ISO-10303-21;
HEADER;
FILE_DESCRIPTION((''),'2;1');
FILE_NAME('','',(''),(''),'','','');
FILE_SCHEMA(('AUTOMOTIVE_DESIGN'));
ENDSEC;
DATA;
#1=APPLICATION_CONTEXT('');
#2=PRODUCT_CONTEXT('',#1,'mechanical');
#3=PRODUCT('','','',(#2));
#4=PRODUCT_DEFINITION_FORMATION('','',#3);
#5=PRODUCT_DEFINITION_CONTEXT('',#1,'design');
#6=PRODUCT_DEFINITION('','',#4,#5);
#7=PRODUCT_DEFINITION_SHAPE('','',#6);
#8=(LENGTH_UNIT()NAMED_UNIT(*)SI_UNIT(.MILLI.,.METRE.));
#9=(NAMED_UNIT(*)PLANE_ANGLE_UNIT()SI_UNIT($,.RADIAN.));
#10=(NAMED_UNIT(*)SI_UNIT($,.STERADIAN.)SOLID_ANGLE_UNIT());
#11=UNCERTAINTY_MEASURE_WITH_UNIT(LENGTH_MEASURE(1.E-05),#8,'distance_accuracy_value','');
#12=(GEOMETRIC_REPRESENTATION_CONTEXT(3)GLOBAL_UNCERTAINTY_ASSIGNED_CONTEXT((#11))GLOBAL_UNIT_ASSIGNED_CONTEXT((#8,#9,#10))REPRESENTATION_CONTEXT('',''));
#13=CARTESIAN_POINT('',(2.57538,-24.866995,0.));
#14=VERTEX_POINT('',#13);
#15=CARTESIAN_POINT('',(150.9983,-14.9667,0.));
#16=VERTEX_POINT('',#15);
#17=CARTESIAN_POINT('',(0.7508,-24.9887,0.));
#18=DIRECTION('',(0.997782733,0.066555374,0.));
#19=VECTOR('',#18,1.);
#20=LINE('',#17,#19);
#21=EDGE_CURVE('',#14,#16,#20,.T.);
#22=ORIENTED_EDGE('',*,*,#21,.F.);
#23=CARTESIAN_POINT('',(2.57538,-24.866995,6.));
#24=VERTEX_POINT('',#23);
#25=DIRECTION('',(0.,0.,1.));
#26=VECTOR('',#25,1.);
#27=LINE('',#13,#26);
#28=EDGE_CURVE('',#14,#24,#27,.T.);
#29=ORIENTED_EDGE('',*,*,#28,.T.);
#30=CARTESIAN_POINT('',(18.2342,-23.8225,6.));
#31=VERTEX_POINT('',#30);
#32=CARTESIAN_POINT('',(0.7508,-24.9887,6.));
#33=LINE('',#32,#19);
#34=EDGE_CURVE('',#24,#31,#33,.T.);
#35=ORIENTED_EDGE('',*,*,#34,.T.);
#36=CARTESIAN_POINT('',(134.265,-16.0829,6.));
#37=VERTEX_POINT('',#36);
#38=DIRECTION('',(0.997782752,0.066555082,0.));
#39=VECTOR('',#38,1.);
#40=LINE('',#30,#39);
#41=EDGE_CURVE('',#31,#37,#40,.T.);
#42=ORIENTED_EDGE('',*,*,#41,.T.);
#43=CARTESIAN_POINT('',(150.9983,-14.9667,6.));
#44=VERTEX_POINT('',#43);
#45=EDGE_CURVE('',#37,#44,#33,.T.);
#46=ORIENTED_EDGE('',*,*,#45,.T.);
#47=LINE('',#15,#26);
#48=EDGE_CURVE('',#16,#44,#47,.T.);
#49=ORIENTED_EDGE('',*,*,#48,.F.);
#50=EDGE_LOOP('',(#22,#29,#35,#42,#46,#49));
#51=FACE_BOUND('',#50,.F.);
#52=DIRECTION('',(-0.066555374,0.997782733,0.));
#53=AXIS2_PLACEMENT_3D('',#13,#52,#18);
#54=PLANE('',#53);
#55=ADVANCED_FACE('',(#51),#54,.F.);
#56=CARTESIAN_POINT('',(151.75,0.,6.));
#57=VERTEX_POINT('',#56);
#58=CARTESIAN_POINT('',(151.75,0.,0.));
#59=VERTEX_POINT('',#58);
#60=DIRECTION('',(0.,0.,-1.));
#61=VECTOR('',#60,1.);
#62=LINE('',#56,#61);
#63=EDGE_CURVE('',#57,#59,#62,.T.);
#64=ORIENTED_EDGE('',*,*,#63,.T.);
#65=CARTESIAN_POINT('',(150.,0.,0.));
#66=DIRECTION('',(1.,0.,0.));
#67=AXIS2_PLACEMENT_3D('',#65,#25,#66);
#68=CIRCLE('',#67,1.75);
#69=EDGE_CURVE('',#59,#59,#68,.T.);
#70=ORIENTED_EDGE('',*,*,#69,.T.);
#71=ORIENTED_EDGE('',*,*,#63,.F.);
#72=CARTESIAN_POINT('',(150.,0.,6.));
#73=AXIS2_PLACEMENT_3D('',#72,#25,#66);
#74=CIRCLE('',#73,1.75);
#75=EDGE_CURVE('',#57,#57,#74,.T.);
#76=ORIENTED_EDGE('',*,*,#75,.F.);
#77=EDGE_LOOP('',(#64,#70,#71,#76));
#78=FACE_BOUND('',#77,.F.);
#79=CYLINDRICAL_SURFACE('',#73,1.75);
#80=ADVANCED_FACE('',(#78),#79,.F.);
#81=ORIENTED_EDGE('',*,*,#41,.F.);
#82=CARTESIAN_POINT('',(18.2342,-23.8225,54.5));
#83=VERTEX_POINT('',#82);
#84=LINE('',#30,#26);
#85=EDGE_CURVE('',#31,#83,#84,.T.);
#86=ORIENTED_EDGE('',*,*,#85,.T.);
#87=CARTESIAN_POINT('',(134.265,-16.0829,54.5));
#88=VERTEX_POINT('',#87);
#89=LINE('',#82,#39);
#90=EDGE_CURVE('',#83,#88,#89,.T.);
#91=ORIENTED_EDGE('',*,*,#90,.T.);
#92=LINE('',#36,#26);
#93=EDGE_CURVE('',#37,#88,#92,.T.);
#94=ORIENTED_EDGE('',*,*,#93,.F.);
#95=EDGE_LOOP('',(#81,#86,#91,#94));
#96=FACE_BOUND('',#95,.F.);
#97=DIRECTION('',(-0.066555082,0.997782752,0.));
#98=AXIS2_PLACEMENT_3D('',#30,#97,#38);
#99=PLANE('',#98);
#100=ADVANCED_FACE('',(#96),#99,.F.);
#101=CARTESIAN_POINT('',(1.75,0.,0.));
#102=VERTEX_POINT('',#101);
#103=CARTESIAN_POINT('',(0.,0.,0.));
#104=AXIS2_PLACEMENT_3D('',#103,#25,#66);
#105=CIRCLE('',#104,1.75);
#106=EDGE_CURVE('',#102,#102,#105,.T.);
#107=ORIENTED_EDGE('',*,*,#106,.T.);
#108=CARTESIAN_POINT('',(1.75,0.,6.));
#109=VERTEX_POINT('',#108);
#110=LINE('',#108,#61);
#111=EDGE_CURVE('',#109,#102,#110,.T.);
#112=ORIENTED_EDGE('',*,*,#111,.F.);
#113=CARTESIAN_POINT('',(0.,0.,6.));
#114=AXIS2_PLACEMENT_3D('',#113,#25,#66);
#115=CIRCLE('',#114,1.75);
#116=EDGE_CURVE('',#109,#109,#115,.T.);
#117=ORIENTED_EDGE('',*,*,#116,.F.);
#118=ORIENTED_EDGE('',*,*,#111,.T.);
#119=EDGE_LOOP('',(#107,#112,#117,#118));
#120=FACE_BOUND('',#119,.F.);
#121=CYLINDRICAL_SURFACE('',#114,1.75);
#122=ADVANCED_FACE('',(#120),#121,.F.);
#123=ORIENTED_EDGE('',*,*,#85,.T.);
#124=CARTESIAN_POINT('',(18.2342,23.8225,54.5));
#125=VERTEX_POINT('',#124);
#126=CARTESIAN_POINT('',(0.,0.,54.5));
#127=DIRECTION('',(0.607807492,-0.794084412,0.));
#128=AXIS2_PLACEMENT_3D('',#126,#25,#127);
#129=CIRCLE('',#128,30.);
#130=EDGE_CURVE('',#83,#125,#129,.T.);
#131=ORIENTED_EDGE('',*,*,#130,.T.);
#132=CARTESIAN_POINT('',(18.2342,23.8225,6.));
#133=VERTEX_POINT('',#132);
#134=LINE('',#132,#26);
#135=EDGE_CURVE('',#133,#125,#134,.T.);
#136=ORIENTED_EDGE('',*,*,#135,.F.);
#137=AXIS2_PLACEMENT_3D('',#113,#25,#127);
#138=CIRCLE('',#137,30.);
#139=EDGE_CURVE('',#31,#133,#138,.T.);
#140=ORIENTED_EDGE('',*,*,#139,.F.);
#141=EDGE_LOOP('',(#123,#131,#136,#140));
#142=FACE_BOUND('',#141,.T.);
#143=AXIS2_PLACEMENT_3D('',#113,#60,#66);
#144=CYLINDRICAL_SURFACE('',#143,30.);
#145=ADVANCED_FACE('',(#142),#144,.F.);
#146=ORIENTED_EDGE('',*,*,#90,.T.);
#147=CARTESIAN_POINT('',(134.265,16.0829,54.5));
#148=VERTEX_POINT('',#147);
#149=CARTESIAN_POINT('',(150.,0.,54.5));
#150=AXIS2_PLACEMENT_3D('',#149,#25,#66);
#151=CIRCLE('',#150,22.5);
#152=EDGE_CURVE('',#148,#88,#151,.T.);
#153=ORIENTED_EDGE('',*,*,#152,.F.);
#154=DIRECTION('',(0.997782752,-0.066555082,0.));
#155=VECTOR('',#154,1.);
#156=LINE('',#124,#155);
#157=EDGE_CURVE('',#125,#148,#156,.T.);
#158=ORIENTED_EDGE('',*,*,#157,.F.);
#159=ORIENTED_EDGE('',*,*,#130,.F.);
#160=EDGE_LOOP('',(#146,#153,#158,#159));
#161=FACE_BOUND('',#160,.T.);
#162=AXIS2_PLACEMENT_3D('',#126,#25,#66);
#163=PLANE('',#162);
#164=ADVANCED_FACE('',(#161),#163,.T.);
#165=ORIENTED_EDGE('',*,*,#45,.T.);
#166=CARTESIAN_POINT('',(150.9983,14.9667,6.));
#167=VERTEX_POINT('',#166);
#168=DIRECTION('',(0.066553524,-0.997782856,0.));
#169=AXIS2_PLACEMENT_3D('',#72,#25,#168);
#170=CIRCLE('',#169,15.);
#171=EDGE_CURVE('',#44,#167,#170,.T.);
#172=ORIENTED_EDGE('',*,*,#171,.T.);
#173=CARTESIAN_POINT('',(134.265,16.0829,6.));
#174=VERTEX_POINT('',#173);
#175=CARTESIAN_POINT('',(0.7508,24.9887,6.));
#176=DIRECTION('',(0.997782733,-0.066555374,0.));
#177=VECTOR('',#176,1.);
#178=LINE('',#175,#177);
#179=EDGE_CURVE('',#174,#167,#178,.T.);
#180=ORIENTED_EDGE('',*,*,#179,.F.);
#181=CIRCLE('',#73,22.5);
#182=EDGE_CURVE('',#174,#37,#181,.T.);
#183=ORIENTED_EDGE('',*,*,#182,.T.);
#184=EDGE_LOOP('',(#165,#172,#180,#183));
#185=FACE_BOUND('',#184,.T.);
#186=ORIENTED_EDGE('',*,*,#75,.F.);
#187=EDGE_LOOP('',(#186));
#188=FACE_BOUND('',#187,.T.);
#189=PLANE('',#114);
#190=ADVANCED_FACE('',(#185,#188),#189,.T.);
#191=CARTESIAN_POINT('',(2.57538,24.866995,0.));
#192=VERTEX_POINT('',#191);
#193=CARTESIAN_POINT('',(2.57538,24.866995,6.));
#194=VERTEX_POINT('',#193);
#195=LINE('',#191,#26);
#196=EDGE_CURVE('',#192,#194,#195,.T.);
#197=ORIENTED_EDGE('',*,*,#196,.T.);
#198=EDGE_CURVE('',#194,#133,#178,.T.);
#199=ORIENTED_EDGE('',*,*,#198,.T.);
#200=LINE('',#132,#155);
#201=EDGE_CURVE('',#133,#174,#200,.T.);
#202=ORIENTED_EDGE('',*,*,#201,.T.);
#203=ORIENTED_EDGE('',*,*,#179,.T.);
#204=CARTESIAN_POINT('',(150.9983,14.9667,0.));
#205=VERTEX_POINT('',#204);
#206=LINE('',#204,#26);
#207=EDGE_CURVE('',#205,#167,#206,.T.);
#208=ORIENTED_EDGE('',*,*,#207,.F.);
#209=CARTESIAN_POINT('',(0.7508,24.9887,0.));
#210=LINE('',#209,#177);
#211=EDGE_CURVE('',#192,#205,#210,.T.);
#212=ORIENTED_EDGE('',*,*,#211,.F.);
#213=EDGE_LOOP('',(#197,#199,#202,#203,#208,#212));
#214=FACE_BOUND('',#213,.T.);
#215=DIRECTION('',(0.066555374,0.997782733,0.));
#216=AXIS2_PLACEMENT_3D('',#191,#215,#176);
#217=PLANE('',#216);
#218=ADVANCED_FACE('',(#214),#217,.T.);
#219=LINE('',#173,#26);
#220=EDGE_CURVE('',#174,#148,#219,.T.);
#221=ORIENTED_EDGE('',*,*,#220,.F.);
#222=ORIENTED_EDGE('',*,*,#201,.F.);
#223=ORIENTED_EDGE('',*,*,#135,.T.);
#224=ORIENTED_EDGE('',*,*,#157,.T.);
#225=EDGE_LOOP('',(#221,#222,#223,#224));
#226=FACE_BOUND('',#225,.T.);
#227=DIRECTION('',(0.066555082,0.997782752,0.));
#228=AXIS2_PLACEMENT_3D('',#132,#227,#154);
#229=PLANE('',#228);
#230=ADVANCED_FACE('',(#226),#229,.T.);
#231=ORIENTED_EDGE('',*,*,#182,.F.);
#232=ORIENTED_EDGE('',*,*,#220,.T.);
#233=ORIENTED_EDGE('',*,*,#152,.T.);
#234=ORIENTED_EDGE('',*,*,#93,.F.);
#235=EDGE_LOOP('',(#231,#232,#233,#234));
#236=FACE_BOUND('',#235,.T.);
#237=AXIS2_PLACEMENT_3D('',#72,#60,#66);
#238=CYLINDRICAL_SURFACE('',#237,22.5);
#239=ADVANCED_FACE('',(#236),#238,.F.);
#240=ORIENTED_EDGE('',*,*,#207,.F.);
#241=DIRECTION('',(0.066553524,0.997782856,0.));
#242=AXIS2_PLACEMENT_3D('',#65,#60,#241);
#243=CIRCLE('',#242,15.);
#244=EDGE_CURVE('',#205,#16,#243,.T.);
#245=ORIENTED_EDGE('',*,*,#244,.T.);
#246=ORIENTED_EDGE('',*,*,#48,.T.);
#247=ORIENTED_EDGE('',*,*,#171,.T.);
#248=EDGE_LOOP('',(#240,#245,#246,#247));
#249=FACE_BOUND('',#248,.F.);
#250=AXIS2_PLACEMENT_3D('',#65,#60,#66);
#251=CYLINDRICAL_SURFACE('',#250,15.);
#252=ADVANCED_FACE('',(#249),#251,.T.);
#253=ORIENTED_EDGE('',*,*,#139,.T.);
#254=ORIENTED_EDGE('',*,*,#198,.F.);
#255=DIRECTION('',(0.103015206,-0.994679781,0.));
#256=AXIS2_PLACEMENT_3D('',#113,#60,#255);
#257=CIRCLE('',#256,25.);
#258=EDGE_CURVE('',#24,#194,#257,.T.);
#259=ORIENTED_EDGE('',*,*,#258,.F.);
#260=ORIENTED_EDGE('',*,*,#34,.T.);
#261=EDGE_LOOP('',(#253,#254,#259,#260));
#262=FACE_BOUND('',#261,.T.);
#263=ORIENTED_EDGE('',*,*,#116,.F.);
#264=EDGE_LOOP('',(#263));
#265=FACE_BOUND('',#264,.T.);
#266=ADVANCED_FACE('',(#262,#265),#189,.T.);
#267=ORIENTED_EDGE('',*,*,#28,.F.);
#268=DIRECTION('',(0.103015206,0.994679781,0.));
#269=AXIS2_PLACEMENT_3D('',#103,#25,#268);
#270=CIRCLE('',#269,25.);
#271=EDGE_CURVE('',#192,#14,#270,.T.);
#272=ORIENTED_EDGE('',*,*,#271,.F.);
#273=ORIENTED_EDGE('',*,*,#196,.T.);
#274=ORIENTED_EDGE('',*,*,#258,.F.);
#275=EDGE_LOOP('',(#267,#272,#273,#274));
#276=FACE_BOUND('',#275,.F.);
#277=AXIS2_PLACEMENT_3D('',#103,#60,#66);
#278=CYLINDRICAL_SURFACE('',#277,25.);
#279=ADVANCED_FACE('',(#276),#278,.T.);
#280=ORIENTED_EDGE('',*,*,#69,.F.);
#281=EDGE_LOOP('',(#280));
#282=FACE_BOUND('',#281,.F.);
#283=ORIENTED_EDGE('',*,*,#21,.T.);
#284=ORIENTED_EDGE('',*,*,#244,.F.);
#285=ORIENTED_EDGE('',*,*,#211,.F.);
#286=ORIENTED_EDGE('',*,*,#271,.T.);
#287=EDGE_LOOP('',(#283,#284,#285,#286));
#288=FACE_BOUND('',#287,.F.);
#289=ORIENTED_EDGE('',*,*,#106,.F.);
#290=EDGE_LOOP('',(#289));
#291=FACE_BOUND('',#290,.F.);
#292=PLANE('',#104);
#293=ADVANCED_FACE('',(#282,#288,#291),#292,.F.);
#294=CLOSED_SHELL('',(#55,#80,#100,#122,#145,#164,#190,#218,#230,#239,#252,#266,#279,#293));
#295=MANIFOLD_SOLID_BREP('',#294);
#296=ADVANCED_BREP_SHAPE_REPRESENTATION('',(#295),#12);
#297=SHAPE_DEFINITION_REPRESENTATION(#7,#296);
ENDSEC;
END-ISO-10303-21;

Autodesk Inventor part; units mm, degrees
ref_plane "YZ Plane" through (0, 0, 0) normal (1, 0, 0) x (0, 1, 0)
ref_plane "XZ Plane" through (0, 0, 0) normal (0, 1, 0) x (-1, 0, 0)
ref_plane "XY Plane" through (0, 0, 0) normal (0, 0, 1) x (1, 0, 0)
sketch "Sketch1" plane through (0, 0, 0) normal (0, 0, 1) x (1, 0, 0)
  circle A0 centre (0, 0) radius 25
  circle A1 centre (150, 0) radius 15
  line L0 (0, 0) -> (150, 0)
  line L1 (0.7508, 24.9887) -> (150.9983, 14.9667)
  line L2 (0.7508, -24.9887) -> (150.9983, -14.9667)
  point P0 (0.7508, -24.9887)
  point P1 (150.9983, -14.9667)
  point P2 (2.5747, -24.8671)
  point P3 (2.5747, 24.8671)
  dimension "d10" = 15
  dimension "d11" = 25
  dimension "d9" = 150
extrude "Extrusion1" add sketch "Sketch1" along normal blind 6
sketch "Sketch2" plane through (0, 0, 6) normal (0, 0, 1) x (1, 0, 0)
  circle A0 centre (0, 0) radius 1.75
  arc A1 (150.9983, -14.9667) -> (150.9983, 14.9667) centre (150, 0) ccw projected
  circle A2 centre (150, 0) radius 1.75
  point P0 (293.3543, -13.4475)
  point P1 (293.3543, 13.4475)
  point P2 (250.3596, -14.9957)
  point P3 (250.3596, 14.9957)
  dimension "d5" = 3.5
  dimension "d6" = 3.5
extrude "Extrusion2" cut sketch "Sketch2" against normal blind 6
sketch "Sketch4" plane through (0, 0, 6) normal (0, 0, 1) x (1, 0, 0)
  circle A0 centre (0, 0) radius 12.5
  circle A1 centre (0, 0) radius 1.75 projected
  circle A2 centre (0, 0) radius 30
  circle A3 centre (150, 0) radius 1.75 projected
  circle A4 centre (150, 0) radius 9.913
  arc A5 (150.9983, -14.9667) -> (150.9983, 14.9667) centre (150, 0) ccw projected
  circle A6 centre (150, 0) radius 22.5
  line L0 (150.9983, 14.9667) -> (2.5747, 24.8671) projected
  line L1 (18.2342, 23.8225) -> (134.265, 16.0829)
  line L2 (18.2342, -23.8225) -> (134.265, -16.0829)
  line L3 (2.5747, -24.8671) -> (150.9983, -14.9667) projected
  dimension "d20" = 25
  dimension "d21" = 60
  dimension "d22" = 19.826
  dimension "d23" = 45
extrude "Extrusion4" add sketch "Sketch4" along normal blind 48.5 contours A2 L0 A6 L2
properties part number "Tibia"
